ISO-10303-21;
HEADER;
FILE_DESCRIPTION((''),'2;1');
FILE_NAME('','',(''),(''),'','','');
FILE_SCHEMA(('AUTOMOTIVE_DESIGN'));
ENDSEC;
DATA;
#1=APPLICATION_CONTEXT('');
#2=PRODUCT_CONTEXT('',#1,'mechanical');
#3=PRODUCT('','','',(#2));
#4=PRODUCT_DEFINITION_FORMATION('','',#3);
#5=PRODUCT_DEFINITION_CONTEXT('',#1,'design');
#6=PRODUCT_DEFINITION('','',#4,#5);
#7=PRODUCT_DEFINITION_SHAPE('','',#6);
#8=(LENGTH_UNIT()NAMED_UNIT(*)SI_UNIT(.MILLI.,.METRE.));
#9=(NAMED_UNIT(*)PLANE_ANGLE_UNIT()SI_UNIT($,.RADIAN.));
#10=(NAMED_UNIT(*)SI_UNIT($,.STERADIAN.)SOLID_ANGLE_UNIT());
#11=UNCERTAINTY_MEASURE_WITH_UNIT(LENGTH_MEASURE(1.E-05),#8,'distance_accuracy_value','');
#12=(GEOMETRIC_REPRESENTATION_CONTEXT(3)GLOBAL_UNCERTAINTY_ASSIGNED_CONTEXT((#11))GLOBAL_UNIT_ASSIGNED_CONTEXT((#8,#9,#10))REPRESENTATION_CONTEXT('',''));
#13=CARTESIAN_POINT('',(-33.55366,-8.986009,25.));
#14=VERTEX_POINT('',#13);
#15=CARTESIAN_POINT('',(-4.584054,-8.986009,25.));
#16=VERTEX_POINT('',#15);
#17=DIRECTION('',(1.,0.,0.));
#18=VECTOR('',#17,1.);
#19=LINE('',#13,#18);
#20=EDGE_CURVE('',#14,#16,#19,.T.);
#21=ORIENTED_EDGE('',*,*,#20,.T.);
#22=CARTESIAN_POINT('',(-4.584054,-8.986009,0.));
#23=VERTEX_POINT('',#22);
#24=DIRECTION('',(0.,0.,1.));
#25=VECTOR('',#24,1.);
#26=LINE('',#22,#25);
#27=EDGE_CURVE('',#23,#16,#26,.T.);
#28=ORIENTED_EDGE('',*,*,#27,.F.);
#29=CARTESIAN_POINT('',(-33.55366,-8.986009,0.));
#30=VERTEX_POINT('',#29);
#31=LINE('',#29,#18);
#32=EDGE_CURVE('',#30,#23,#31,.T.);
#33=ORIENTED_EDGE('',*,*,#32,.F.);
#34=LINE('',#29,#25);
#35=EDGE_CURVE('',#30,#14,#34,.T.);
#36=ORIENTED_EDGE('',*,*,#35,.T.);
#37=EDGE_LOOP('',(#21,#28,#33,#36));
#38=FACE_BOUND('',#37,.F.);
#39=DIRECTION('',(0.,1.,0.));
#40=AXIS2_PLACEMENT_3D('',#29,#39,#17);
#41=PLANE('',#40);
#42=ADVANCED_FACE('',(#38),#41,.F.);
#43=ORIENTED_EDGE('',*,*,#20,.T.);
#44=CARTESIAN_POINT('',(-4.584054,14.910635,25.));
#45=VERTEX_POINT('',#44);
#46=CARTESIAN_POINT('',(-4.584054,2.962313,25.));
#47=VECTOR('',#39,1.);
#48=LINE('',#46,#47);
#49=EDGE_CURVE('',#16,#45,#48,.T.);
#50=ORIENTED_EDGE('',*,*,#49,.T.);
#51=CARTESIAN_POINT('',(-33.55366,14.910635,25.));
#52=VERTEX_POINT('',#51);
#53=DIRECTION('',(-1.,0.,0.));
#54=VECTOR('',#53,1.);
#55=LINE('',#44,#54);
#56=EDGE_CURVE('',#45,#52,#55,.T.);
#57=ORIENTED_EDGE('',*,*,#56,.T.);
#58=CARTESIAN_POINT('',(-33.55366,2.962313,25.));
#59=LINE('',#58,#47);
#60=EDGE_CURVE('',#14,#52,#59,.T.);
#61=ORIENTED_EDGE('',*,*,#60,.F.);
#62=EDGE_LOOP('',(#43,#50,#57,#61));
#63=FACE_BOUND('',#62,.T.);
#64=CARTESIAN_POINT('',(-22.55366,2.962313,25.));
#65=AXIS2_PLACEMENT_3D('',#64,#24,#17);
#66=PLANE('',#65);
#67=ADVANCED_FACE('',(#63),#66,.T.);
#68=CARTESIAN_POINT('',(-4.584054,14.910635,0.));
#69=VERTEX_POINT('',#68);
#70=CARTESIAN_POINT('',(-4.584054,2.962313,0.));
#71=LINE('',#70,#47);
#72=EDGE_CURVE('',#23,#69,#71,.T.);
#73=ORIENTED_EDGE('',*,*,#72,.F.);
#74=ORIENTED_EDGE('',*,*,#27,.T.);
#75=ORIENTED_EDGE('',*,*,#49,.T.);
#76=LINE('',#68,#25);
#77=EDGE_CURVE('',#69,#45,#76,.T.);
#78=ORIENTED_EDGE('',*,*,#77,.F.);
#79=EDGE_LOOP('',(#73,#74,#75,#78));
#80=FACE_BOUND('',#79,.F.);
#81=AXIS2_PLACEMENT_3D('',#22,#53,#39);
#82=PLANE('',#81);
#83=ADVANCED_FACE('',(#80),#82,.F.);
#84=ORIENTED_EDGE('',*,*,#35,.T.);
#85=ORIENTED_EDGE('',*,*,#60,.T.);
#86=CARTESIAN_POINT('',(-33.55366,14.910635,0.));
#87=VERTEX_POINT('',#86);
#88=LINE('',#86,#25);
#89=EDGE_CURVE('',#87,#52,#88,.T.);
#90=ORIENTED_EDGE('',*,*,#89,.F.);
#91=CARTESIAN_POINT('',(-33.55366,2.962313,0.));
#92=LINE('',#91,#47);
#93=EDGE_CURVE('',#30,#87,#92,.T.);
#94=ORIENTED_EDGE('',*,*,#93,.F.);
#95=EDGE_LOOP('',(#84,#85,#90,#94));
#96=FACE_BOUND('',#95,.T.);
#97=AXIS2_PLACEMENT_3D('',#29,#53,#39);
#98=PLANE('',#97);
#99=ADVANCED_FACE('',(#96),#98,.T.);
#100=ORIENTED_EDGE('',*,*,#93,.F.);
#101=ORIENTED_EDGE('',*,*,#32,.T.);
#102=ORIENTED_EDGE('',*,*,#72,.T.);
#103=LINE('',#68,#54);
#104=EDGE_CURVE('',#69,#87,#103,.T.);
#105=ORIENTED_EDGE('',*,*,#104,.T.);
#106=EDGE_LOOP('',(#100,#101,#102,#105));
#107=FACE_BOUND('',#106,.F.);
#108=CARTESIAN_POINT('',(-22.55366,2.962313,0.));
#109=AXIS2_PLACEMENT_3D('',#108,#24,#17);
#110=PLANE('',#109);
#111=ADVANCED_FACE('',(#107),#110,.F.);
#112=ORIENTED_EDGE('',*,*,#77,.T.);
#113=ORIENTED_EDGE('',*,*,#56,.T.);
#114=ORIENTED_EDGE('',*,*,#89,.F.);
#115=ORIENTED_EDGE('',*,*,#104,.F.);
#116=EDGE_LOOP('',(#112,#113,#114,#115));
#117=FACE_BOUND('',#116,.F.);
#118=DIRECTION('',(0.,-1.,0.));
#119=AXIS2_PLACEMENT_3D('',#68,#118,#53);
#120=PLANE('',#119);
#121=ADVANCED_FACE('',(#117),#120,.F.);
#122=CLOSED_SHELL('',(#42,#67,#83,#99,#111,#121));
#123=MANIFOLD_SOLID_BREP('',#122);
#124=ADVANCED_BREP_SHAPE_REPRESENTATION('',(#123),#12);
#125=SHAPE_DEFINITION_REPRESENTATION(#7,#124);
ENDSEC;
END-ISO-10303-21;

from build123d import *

# Parameters (mm, degrees)
F0_W     = 22
F0_H     = 23.896645
F0_W_2   = 6.969606
F1_DEPTH = 25


with BuildPart() as f1:
    # F0 (on Top) → F1 (new body)
    with BuildSketch(Plane.XY):
        with Locations((-22.55366, 2.962313)):
            Rectangle(F0_W, F0_H)
        with Locations((-8.068857, 2.962313)):
            Rectangle(F0_W_2, F0_H)
    extrude(amount=F1_DEPTH)


solid = f1.part
